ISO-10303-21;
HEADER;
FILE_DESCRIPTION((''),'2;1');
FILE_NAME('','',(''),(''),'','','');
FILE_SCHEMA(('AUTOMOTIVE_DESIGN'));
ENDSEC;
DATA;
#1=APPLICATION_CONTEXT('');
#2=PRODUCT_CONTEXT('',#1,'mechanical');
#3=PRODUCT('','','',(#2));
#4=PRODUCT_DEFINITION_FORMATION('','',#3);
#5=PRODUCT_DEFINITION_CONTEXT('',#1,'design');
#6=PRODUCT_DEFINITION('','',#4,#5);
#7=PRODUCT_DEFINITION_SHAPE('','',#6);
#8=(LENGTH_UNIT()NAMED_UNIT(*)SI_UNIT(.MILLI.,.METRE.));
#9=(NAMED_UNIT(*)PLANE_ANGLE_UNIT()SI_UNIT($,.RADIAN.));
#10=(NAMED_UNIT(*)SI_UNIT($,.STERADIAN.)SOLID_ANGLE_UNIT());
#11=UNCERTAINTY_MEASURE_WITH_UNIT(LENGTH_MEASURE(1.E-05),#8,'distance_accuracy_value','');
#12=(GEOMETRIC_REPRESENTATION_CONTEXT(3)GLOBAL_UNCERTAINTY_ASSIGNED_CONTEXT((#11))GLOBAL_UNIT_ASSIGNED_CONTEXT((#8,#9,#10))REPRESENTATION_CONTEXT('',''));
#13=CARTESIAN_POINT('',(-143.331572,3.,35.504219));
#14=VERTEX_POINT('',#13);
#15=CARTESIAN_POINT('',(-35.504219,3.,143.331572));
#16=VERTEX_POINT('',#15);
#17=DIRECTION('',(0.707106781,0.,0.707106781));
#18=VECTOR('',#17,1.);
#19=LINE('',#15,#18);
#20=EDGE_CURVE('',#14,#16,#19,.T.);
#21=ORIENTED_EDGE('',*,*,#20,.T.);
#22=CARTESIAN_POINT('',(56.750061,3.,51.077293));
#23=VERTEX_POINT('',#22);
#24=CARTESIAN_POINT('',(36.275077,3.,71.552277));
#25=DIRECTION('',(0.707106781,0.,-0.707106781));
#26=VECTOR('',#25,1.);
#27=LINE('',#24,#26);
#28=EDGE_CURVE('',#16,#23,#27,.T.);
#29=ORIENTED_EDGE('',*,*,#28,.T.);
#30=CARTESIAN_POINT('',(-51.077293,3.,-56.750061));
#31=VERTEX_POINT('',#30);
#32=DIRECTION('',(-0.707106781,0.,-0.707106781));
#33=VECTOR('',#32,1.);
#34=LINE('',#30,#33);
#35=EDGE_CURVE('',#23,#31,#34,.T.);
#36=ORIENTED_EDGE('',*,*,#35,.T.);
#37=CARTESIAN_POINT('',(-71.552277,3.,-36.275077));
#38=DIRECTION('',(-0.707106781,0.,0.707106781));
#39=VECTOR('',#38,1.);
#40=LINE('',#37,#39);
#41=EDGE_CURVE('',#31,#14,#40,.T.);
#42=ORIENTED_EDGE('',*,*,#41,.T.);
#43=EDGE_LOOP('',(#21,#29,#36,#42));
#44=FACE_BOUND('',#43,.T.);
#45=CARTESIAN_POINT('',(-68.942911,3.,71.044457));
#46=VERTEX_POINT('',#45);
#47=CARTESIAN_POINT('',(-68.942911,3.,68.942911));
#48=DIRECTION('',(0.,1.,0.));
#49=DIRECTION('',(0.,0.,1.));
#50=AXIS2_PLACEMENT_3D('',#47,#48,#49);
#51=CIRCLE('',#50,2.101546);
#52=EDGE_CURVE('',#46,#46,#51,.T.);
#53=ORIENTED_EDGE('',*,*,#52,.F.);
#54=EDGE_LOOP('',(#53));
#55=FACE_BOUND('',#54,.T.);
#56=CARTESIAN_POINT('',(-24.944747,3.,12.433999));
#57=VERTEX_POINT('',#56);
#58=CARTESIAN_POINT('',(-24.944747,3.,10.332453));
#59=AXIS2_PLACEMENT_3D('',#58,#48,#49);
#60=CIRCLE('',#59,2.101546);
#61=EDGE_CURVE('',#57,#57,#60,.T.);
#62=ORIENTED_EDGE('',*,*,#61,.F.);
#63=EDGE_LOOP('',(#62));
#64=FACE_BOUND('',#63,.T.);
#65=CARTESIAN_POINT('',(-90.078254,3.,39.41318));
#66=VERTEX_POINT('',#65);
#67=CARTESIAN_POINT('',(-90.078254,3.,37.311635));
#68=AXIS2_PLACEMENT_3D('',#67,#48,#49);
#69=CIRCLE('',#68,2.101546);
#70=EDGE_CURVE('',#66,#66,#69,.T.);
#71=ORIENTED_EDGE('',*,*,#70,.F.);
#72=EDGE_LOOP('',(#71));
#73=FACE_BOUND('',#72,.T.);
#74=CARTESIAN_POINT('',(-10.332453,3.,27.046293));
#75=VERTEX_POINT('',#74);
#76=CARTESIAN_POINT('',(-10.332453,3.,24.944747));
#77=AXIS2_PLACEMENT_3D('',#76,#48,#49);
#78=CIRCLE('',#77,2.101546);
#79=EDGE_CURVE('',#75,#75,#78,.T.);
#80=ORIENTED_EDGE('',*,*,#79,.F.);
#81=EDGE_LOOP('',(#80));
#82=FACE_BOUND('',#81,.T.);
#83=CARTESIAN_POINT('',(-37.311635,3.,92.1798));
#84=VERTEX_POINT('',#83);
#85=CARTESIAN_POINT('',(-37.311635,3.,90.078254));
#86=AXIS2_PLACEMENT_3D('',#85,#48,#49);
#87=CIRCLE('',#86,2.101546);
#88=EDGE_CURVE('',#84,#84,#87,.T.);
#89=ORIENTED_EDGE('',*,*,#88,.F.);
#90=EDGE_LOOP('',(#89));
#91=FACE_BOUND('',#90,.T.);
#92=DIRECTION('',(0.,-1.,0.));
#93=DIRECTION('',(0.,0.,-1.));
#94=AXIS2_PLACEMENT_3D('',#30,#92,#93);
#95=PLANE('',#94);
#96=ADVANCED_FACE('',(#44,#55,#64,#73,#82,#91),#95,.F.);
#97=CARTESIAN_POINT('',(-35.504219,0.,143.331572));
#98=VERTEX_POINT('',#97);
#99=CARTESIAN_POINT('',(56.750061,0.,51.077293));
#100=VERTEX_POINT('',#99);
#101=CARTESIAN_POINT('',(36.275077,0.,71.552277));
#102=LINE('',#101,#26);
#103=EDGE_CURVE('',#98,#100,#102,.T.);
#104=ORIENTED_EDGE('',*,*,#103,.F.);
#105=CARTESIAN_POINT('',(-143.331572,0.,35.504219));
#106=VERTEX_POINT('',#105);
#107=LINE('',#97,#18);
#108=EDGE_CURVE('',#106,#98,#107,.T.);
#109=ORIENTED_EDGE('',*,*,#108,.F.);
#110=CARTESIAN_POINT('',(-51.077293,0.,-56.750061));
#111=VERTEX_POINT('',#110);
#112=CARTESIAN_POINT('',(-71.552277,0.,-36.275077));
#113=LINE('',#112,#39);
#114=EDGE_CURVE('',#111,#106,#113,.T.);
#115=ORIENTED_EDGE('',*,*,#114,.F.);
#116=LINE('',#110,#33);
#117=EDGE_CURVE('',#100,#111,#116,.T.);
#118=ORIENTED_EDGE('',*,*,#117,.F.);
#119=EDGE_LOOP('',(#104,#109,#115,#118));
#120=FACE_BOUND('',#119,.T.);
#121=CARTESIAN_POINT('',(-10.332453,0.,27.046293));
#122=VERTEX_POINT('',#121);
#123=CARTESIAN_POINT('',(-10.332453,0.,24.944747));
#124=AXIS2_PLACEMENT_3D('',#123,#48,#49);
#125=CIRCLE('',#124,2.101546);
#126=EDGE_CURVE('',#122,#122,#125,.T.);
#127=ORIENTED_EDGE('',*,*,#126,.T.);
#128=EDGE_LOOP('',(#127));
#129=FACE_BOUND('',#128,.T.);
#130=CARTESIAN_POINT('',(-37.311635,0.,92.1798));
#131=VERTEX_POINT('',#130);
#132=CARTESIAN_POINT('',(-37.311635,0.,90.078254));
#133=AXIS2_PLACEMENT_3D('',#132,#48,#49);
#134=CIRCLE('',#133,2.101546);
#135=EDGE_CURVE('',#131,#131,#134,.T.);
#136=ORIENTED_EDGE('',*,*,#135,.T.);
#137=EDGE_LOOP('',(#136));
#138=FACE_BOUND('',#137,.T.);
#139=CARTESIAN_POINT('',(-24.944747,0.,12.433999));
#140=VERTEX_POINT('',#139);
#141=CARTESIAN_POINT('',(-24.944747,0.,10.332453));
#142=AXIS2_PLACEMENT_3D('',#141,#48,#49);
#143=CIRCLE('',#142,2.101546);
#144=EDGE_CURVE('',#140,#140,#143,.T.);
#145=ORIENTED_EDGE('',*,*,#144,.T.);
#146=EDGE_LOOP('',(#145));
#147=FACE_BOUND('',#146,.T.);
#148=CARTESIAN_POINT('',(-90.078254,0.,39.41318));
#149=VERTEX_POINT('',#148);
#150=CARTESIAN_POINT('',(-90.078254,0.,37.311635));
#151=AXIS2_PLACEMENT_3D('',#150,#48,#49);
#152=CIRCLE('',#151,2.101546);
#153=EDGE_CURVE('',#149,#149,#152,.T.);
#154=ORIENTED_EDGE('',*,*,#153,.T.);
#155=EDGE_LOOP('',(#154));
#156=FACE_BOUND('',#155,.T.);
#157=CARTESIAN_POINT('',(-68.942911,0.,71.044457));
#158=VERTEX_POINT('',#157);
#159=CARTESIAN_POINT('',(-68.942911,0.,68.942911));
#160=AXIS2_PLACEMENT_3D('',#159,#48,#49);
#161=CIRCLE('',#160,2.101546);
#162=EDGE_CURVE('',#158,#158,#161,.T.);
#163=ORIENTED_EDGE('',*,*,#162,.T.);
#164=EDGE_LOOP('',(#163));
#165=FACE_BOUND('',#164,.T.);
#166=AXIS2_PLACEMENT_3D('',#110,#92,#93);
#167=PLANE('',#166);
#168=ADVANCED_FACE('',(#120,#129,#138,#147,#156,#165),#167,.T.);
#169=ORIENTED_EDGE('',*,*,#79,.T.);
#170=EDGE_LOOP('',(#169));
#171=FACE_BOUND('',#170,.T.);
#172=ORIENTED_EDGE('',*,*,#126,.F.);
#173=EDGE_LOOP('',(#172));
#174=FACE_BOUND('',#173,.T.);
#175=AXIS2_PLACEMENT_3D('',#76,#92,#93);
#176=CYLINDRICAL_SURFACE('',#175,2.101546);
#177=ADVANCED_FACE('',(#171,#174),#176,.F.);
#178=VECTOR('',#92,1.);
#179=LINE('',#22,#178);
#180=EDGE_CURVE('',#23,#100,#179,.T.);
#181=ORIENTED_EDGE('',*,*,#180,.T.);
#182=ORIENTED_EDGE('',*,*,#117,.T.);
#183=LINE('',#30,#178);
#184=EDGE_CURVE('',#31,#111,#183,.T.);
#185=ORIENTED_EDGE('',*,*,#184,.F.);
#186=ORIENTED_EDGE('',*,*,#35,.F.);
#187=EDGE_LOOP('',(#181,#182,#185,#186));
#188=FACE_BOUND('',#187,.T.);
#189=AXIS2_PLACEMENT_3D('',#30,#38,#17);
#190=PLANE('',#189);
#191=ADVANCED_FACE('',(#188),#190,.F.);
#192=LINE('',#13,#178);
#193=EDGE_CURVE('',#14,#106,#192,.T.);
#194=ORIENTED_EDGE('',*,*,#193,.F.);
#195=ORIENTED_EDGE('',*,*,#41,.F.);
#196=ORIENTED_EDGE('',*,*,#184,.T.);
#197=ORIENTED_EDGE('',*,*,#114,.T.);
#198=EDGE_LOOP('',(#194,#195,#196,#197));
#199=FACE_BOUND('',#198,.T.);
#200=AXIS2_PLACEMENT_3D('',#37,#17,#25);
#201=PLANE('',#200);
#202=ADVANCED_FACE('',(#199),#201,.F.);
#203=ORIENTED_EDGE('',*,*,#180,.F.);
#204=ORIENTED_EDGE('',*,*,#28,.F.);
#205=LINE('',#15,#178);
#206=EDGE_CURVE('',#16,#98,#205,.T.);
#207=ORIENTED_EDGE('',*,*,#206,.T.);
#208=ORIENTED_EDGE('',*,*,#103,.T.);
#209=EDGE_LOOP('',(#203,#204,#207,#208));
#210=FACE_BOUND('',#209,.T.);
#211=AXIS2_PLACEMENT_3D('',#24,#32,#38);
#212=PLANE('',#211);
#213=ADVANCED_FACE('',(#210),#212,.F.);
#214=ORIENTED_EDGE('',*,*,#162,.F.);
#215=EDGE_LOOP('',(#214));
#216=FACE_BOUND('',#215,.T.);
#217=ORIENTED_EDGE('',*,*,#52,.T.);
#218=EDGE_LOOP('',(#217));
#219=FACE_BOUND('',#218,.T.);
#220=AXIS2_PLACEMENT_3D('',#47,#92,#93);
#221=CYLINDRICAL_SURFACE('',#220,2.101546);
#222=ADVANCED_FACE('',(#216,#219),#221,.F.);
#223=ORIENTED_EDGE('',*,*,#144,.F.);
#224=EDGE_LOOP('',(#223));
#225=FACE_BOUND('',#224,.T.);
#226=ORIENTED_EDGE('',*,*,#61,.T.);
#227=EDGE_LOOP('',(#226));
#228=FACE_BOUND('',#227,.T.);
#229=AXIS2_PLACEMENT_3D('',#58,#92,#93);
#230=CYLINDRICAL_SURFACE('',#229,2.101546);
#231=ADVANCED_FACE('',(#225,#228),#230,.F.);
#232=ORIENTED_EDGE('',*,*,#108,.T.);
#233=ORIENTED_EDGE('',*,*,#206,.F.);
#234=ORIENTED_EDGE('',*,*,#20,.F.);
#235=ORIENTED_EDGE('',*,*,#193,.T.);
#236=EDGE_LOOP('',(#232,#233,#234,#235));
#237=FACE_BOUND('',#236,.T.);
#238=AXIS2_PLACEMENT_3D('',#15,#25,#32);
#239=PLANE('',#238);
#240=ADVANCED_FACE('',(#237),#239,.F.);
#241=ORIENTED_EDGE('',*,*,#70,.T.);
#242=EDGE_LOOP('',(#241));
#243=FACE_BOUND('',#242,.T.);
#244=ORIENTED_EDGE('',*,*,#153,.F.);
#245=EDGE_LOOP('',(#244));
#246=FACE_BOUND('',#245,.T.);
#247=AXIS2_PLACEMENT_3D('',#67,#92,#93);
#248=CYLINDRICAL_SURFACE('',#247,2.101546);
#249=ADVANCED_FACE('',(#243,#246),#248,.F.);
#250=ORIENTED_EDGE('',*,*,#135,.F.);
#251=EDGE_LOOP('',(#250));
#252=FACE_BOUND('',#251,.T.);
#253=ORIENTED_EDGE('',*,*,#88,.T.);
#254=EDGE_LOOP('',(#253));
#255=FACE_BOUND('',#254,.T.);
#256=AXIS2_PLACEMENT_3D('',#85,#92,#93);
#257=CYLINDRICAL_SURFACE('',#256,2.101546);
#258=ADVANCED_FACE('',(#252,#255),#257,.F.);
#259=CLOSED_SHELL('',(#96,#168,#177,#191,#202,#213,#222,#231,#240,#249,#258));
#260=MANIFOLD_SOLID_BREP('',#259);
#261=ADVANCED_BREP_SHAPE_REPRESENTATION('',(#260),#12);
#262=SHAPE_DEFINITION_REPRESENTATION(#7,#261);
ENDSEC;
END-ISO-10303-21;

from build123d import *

# Parameters (mm, degrees)
SKETCH1_R           = 2.101545833
BOSS_EXTRUDE1_DEPTH = 3


with BuildPart() as part:
    # Sketch1 → Boss-Extrude1 (new body)
    with BuildSketch(Plane(origin=(0, 0, 0), x_dir=(-1, 0, 0), z_dir=(0, 1, 0))):
        Polygon((51.07729269, -56.750060551), (-56.750060551, 51.07729269), (-36.275076594, 71.552276646), (35.504218501, 143.331571742), (143.331571742, 35.504218501), (71.552276646, -36.275076594), align=None)
        with Locations(Location((24.944747378, 10.332452674, 0), (0, 0, 90))):
            Circle(SKETCH1_R, mode=Mode.SUBTRACT)
        with Locations(Location((10.332452674, 24.944747378, 0), (0, 0, 90))):
            Circle(SKETCH1_R, mode=Mode.SUBTRACT)
        with Locations(Location((90.07825442, 37.311634656, 0), (0, 0, 90))):
            Circle(SKETCH1_R, mode=Mode.SUBTRACT)
        with Locations(Location((68.942911166, 68.942911166, 0), (0, 0, 90))):
            Circle(SKETCH1_R, mode=Mode.SUBTRACT)
        with Locations(Location((37.311634656, 90.07825442, 0), (0, 0, 90))):
            Circle(SKETCH1_R, mode=Mode.SUBTRACT)
    extrude(amount=BOSS_EXTRUDE1_DEPTH)


solid = part.part
